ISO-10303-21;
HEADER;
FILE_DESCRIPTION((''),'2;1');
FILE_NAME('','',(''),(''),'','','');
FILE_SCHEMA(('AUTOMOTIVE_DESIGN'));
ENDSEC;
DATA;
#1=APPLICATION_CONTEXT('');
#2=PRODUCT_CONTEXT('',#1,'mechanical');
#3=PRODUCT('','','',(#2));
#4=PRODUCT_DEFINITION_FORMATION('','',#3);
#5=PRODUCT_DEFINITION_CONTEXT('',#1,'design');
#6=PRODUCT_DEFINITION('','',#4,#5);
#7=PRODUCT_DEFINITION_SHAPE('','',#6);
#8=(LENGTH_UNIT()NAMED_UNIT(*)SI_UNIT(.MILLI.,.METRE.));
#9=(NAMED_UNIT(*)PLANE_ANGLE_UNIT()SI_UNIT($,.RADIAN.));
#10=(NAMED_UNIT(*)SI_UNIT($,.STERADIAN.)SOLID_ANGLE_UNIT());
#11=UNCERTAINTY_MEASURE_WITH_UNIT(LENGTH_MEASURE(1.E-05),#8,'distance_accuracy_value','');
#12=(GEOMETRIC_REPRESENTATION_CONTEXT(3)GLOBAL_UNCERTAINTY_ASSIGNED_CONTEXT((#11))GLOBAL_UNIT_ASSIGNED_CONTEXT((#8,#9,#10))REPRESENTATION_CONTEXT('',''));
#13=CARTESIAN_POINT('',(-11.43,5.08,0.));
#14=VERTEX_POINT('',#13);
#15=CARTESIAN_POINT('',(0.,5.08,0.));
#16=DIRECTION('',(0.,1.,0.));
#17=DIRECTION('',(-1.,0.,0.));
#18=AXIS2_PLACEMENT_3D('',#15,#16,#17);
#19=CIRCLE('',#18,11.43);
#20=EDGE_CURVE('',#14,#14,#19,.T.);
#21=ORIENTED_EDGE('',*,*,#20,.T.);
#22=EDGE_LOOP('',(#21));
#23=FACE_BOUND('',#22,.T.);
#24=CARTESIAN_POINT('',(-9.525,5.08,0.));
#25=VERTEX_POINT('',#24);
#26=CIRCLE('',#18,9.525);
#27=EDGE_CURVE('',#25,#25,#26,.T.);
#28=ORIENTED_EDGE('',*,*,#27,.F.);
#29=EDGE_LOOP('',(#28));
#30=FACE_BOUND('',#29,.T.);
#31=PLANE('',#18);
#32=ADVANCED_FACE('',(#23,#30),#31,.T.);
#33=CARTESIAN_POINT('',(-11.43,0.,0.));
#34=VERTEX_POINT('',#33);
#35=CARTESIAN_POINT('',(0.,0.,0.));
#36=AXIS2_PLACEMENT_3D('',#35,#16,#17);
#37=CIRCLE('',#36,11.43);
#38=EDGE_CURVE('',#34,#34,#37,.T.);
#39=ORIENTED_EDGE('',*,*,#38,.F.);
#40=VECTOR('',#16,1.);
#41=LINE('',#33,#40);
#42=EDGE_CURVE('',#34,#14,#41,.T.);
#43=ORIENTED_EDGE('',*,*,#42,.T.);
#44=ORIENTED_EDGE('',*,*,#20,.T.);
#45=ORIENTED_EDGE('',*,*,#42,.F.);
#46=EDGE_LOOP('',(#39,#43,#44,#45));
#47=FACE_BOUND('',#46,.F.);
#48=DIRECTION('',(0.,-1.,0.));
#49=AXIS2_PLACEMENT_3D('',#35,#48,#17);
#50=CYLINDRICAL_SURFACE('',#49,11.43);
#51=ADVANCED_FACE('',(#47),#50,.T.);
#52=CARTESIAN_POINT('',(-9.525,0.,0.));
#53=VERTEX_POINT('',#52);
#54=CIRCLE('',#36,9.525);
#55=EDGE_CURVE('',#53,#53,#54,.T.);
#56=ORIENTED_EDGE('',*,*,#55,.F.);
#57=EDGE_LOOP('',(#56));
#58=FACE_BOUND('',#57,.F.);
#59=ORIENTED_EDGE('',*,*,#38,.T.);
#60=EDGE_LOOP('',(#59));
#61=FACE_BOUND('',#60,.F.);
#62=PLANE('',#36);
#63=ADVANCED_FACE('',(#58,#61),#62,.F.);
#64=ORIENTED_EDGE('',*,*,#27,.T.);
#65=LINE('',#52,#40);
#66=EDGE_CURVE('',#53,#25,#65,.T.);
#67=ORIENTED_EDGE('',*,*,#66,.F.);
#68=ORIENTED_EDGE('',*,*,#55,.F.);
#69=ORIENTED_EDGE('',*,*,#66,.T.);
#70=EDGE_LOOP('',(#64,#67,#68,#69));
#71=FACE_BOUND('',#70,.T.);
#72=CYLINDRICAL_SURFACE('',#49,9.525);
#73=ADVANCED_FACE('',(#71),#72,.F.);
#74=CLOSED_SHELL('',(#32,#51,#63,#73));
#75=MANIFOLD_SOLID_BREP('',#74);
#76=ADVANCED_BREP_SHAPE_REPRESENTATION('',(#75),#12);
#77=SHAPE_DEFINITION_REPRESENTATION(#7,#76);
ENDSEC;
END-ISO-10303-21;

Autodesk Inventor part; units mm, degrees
ref_plane "YZ Plane" through (0, 0, 0) normal (1, 0, 0) x (0, 1, 0)
ref_plane "XZ Plane" through (0, 0, 0) normal (0, 1, 0) x (-1, 0, 0)
ref_plane "XY Plane" through (0, 0, 0) normal (0, 0, 1) x (1, 0, 0)
sketch "Sketch1" plane through (0, 0, 0) normal (0, 1, 0) x (-1, 0, 0)
  circle A0 centre (0, 0) radius 9.525
  circle A1 centre (0, 0) radius 11.43
  dimension "d0" = 19.05
  dimension "d1" = 22.86
extrude "Extrusion1" add sketch "Sketch1" along normal blind 5.08
properties part number "Gimbal1"
